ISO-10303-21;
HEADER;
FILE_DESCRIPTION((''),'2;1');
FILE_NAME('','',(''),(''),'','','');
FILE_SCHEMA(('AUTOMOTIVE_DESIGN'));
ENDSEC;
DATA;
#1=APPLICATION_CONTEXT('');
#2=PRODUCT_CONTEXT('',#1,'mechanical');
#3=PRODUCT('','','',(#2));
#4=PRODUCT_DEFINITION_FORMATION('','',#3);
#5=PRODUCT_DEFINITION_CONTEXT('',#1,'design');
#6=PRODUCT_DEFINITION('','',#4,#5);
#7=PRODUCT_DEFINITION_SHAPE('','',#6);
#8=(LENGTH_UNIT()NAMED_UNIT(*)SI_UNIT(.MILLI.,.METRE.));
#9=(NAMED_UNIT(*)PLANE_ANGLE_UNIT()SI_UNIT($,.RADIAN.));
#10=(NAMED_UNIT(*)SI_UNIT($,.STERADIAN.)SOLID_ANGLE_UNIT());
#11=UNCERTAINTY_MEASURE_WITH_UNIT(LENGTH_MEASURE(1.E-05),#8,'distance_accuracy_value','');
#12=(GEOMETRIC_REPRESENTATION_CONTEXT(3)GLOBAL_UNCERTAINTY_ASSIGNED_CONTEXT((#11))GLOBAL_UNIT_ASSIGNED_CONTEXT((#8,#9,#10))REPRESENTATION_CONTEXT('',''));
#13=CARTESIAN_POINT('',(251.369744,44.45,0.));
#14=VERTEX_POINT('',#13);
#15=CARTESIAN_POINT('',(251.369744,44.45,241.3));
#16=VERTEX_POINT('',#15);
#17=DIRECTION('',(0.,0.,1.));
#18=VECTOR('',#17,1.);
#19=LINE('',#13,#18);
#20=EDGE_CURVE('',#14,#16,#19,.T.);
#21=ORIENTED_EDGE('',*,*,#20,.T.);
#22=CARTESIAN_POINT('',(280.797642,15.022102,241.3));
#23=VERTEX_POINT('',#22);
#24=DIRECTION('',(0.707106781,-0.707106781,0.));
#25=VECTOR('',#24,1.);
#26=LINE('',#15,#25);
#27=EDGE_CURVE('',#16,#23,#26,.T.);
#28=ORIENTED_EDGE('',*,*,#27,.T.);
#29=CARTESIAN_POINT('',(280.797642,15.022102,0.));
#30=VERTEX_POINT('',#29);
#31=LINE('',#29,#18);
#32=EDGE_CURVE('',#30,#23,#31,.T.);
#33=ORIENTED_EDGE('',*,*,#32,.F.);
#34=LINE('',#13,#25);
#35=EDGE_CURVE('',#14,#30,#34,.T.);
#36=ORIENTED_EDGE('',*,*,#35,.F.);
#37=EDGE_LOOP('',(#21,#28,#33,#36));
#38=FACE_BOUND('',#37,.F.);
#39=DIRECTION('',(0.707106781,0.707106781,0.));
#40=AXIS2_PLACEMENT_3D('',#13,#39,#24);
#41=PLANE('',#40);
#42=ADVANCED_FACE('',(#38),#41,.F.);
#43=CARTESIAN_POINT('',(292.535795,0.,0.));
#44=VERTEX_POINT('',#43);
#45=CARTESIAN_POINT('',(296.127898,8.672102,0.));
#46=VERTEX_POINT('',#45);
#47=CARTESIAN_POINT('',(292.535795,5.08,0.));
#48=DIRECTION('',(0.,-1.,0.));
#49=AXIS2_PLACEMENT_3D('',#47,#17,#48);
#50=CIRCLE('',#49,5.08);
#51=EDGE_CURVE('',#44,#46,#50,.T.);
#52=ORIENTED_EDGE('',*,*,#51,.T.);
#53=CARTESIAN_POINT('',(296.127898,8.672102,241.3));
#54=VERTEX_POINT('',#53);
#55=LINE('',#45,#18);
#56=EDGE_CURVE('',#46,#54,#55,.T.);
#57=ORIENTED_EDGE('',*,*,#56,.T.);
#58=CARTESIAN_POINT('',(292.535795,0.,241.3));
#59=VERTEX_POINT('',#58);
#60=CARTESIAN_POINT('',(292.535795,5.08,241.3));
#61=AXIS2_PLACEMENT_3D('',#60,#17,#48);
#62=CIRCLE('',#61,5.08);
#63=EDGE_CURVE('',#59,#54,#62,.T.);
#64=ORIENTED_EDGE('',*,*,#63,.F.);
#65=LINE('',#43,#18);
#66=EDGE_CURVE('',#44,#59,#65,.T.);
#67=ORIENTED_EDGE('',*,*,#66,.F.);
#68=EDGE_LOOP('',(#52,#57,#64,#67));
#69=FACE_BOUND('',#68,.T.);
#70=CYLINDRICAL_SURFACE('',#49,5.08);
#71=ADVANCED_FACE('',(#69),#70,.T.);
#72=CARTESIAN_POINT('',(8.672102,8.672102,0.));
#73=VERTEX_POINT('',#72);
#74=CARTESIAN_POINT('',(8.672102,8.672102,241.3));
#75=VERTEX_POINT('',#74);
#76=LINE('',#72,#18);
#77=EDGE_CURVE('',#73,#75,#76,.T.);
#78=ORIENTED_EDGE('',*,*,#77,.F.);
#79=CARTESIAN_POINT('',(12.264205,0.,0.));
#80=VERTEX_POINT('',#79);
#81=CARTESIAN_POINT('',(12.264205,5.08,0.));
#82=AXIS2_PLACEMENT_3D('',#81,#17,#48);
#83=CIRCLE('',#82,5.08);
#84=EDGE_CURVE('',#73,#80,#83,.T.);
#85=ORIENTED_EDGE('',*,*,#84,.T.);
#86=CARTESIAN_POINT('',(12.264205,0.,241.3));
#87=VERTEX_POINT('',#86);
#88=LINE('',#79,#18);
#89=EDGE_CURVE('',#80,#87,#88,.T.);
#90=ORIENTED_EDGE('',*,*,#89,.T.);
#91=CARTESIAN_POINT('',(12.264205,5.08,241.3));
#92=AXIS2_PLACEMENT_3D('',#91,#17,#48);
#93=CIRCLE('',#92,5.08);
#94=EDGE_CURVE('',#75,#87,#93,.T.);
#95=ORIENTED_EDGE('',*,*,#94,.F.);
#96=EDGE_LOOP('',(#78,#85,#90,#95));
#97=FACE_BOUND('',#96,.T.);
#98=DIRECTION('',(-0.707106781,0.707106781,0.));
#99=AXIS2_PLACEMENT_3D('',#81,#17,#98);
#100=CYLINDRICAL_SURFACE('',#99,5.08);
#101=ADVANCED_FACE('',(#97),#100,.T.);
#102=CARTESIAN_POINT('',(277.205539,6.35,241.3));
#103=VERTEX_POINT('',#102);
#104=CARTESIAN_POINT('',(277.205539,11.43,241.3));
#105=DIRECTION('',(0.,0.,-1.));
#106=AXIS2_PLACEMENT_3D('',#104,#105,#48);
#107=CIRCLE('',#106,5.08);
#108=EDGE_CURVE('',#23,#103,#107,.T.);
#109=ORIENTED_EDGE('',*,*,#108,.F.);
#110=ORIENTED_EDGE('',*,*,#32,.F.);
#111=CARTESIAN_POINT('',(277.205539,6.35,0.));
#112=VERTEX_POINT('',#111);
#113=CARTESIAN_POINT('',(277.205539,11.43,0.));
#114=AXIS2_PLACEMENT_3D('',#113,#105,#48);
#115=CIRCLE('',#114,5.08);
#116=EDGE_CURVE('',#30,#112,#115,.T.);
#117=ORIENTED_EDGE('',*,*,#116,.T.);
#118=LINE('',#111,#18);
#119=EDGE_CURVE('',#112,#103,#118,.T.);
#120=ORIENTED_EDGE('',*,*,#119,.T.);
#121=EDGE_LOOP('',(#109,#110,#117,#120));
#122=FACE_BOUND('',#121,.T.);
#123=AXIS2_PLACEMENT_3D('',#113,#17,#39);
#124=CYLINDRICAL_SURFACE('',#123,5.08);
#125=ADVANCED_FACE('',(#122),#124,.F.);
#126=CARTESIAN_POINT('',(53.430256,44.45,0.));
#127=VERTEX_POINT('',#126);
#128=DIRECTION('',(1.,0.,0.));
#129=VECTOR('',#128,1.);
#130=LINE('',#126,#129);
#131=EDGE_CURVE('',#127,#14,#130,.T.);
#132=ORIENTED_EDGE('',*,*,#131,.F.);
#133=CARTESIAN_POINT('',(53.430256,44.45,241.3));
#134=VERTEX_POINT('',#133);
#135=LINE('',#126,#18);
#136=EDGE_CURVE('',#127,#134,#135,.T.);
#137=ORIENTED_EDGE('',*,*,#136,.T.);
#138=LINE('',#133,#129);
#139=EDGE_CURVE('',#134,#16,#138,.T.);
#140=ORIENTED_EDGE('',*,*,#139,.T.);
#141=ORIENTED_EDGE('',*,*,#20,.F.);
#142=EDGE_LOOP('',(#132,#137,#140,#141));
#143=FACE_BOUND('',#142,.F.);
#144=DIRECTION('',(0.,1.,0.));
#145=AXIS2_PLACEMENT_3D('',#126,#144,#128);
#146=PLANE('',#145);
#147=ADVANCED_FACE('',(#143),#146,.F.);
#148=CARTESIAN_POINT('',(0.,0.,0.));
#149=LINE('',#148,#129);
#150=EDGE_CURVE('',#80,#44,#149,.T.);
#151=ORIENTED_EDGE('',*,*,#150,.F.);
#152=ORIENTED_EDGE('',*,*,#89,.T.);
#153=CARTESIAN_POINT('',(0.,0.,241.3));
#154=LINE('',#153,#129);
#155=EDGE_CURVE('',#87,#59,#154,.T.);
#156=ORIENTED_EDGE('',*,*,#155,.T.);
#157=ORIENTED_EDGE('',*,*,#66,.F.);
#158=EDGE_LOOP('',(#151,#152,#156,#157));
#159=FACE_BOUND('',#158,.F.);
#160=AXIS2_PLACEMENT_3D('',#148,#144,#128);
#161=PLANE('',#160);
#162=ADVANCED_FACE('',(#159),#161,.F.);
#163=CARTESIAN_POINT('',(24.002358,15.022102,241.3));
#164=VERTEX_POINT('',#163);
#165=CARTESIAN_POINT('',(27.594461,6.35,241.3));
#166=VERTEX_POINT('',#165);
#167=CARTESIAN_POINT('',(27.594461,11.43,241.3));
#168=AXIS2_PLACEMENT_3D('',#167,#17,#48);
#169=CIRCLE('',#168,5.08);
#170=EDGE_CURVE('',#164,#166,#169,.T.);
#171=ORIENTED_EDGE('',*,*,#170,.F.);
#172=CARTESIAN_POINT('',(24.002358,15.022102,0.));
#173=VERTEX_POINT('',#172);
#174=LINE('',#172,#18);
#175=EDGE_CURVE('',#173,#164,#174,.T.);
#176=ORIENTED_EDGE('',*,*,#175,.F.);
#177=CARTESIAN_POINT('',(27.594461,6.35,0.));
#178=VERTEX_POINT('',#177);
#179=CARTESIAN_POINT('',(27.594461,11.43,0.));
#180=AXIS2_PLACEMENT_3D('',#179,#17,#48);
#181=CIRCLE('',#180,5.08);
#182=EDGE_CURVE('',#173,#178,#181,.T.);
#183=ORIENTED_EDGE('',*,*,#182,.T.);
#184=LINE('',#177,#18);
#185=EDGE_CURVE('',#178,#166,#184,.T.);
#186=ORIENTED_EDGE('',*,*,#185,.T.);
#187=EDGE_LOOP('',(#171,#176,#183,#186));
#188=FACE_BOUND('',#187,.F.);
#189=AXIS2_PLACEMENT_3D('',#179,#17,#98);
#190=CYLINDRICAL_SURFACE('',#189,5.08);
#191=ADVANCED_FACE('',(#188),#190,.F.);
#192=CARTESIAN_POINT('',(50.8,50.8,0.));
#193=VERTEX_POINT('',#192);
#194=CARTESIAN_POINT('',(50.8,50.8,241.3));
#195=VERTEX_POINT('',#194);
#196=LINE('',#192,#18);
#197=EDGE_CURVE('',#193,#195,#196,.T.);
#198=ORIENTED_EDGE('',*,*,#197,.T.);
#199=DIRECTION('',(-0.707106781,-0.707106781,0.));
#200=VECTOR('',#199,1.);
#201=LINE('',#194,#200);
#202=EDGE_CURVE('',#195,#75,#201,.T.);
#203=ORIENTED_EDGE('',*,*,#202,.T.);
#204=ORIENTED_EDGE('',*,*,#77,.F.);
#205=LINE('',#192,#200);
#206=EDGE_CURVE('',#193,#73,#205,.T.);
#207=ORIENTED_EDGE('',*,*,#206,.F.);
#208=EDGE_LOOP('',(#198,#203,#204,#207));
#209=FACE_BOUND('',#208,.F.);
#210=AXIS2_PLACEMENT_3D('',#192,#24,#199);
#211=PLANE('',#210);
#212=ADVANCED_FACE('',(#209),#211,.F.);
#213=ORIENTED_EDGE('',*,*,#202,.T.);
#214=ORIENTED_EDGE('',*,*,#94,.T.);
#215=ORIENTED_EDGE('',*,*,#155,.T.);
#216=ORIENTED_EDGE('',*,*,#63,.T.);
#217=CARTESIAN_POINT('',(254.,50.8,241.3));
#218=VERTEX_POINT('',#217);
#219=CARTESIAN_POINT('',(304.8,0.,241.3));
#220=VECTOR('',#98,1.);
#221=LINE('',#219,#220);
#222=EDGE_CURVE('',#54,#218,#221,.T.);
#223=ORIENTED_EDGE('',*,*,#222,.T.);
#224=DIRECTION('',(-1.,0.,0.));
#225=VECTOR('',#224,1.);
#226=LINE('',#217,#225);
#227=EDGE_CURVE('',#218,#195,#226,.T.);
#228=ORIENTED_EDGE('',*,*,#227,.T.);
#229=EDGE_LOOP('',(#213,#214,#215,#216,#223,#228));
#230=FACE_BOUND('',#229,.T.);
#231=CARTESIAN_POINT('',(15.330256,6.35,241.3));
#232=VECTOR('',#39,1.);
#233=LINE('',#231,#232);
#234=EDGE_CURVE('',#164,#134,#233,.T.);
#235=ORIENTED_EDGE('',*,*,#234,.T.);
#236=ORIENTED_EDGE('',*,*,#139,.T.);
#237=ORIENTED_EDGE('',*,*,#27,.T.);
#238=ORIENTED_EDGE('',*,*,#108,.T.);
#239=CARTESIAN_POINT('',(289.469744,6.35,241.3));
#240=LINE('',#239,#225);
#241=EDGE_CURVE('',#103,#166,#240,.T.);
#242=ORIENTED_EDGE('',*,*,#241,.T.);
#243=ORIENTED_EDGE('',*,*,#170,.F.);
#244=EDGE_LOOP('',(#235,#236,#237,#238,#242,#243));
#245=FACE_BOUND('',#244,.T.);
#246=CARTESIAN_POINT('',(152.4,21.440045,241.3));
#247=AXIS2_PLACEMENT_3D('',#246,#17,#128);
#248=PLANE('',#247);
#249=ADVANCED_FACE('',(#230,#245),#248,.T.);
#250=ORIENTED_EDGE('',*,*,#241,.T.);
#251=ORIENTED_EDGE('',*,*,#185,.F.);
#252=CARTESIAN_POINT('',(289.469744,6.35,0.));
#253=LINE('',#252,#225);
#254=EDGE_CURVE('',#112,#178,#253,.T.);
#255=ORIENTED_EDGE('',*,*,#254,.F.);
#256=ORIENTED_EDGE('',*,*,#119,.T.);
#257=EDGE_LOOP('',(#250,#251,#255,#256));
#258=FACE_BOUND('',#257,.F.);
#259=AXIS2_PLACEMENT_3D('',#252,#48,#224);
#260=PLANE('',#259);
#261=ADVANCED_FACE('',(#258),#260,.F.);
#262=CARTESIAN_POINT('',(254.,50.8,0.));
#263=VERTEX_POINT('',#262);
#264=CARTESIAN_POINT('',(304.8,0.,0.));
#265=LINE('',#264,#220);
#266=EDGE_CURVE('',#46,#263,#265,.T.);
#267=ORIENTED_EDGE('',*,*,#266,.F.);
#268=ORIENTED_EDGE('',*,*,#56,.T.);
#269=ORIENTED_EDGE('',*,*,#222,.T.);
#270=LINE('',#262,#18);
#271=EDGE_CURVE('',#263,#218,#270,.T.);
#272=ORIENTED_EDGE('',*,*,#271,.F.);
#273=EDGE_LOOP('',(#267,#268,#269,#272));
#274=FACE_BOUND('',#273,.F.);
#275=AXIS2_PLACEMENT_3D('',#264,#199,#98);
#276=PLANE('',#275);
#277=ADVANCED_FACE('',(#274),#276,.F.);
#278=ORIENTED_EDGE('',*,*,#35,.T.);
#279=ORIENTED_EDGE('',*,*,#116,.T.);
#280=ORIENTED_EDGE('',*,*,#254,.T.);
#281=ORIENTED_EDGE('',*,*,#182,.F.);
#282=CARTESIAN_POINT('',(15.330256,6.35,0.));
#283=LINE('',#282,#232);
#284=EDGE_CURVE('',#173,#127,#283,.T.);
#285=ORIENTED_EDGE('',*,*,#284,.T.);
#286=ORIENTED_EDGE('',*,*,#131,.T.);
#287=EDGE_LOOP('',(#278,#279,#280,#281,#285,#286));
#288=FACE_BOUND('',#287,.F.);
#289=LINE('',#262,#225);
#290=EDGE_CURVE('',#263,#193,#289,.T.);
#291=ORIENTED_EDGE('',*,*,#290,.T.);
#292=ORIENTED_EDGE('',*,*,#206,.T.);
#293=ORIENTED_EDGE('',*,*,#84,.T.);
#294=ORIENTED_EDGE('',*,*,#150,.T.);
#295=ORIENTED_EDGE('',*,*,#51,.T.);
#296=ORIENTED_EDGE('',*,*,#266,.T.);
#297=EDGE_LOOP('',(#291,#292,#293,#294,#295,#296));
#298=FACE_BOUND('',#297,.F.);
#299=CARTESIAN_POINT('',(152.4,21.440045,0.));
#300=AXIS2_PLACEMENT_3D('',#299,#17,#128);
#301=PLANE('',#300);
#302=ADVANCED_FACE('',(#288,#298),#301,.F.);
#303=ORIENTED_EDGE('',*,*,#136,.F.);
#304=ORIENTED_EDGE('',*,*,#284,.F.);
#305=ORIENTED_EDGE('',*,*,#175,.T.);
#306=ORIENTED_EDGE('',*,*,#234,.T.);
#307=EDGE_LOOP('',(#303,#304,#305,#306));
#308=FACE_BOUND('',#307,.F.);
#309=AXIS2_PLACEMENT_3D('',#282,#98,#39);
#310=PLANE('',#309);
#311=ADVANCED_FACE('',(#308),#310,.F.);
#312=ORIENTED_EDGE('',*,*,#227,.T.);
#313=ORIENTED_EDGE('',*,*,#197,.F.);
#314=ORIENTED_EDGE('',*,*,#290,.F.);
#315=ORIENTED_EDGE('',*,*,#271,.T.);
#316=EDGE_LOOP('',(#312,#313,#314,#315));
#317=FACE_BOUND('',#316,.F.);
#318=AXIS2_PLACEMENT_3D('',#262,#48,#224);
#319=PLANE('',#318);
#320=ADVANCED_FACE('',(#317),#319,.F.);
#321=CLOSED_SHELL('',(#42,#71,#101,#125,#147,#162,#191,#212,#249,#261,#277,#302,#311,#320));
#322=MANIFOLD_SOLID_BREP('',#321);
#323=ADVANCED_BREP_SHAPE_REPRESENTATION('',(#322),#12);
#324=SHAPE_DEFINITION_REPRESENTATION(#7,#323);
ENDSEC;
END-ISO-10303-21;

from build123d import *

# Parameters (mm, degrees)
F1_DEPTH = 241.3
F2_R     = 5.08


with BuildPart() as f1:
    # F0 (on Top) → F1 (new body)
    with BuildSketch(Plane.XY):
        Polygon((50.8, 50.8), (0, 0), (304.8, 0), (254, 50.8), align=None)
        Polygon((289.469744, 6.35), (15.330256, 6.35), (53.430256, 44.45), (251.369744, 44.45), align=None, mode=Mode.SUBTRACT)
    extrude(amount=F1_DEPTH)

    # F2
    f2_edges = [f1.edges().sort_by_distance(p)[0] for p in [
        (0, 0, 120.65),
        (15.330256, 6.35, 120.65),
        (304.8, 0, 120.65),
        (289.469744, 6.35, 120.65),
    ]]
    fillet(f2_edges, radius=F2_R)


solid = f1.part
